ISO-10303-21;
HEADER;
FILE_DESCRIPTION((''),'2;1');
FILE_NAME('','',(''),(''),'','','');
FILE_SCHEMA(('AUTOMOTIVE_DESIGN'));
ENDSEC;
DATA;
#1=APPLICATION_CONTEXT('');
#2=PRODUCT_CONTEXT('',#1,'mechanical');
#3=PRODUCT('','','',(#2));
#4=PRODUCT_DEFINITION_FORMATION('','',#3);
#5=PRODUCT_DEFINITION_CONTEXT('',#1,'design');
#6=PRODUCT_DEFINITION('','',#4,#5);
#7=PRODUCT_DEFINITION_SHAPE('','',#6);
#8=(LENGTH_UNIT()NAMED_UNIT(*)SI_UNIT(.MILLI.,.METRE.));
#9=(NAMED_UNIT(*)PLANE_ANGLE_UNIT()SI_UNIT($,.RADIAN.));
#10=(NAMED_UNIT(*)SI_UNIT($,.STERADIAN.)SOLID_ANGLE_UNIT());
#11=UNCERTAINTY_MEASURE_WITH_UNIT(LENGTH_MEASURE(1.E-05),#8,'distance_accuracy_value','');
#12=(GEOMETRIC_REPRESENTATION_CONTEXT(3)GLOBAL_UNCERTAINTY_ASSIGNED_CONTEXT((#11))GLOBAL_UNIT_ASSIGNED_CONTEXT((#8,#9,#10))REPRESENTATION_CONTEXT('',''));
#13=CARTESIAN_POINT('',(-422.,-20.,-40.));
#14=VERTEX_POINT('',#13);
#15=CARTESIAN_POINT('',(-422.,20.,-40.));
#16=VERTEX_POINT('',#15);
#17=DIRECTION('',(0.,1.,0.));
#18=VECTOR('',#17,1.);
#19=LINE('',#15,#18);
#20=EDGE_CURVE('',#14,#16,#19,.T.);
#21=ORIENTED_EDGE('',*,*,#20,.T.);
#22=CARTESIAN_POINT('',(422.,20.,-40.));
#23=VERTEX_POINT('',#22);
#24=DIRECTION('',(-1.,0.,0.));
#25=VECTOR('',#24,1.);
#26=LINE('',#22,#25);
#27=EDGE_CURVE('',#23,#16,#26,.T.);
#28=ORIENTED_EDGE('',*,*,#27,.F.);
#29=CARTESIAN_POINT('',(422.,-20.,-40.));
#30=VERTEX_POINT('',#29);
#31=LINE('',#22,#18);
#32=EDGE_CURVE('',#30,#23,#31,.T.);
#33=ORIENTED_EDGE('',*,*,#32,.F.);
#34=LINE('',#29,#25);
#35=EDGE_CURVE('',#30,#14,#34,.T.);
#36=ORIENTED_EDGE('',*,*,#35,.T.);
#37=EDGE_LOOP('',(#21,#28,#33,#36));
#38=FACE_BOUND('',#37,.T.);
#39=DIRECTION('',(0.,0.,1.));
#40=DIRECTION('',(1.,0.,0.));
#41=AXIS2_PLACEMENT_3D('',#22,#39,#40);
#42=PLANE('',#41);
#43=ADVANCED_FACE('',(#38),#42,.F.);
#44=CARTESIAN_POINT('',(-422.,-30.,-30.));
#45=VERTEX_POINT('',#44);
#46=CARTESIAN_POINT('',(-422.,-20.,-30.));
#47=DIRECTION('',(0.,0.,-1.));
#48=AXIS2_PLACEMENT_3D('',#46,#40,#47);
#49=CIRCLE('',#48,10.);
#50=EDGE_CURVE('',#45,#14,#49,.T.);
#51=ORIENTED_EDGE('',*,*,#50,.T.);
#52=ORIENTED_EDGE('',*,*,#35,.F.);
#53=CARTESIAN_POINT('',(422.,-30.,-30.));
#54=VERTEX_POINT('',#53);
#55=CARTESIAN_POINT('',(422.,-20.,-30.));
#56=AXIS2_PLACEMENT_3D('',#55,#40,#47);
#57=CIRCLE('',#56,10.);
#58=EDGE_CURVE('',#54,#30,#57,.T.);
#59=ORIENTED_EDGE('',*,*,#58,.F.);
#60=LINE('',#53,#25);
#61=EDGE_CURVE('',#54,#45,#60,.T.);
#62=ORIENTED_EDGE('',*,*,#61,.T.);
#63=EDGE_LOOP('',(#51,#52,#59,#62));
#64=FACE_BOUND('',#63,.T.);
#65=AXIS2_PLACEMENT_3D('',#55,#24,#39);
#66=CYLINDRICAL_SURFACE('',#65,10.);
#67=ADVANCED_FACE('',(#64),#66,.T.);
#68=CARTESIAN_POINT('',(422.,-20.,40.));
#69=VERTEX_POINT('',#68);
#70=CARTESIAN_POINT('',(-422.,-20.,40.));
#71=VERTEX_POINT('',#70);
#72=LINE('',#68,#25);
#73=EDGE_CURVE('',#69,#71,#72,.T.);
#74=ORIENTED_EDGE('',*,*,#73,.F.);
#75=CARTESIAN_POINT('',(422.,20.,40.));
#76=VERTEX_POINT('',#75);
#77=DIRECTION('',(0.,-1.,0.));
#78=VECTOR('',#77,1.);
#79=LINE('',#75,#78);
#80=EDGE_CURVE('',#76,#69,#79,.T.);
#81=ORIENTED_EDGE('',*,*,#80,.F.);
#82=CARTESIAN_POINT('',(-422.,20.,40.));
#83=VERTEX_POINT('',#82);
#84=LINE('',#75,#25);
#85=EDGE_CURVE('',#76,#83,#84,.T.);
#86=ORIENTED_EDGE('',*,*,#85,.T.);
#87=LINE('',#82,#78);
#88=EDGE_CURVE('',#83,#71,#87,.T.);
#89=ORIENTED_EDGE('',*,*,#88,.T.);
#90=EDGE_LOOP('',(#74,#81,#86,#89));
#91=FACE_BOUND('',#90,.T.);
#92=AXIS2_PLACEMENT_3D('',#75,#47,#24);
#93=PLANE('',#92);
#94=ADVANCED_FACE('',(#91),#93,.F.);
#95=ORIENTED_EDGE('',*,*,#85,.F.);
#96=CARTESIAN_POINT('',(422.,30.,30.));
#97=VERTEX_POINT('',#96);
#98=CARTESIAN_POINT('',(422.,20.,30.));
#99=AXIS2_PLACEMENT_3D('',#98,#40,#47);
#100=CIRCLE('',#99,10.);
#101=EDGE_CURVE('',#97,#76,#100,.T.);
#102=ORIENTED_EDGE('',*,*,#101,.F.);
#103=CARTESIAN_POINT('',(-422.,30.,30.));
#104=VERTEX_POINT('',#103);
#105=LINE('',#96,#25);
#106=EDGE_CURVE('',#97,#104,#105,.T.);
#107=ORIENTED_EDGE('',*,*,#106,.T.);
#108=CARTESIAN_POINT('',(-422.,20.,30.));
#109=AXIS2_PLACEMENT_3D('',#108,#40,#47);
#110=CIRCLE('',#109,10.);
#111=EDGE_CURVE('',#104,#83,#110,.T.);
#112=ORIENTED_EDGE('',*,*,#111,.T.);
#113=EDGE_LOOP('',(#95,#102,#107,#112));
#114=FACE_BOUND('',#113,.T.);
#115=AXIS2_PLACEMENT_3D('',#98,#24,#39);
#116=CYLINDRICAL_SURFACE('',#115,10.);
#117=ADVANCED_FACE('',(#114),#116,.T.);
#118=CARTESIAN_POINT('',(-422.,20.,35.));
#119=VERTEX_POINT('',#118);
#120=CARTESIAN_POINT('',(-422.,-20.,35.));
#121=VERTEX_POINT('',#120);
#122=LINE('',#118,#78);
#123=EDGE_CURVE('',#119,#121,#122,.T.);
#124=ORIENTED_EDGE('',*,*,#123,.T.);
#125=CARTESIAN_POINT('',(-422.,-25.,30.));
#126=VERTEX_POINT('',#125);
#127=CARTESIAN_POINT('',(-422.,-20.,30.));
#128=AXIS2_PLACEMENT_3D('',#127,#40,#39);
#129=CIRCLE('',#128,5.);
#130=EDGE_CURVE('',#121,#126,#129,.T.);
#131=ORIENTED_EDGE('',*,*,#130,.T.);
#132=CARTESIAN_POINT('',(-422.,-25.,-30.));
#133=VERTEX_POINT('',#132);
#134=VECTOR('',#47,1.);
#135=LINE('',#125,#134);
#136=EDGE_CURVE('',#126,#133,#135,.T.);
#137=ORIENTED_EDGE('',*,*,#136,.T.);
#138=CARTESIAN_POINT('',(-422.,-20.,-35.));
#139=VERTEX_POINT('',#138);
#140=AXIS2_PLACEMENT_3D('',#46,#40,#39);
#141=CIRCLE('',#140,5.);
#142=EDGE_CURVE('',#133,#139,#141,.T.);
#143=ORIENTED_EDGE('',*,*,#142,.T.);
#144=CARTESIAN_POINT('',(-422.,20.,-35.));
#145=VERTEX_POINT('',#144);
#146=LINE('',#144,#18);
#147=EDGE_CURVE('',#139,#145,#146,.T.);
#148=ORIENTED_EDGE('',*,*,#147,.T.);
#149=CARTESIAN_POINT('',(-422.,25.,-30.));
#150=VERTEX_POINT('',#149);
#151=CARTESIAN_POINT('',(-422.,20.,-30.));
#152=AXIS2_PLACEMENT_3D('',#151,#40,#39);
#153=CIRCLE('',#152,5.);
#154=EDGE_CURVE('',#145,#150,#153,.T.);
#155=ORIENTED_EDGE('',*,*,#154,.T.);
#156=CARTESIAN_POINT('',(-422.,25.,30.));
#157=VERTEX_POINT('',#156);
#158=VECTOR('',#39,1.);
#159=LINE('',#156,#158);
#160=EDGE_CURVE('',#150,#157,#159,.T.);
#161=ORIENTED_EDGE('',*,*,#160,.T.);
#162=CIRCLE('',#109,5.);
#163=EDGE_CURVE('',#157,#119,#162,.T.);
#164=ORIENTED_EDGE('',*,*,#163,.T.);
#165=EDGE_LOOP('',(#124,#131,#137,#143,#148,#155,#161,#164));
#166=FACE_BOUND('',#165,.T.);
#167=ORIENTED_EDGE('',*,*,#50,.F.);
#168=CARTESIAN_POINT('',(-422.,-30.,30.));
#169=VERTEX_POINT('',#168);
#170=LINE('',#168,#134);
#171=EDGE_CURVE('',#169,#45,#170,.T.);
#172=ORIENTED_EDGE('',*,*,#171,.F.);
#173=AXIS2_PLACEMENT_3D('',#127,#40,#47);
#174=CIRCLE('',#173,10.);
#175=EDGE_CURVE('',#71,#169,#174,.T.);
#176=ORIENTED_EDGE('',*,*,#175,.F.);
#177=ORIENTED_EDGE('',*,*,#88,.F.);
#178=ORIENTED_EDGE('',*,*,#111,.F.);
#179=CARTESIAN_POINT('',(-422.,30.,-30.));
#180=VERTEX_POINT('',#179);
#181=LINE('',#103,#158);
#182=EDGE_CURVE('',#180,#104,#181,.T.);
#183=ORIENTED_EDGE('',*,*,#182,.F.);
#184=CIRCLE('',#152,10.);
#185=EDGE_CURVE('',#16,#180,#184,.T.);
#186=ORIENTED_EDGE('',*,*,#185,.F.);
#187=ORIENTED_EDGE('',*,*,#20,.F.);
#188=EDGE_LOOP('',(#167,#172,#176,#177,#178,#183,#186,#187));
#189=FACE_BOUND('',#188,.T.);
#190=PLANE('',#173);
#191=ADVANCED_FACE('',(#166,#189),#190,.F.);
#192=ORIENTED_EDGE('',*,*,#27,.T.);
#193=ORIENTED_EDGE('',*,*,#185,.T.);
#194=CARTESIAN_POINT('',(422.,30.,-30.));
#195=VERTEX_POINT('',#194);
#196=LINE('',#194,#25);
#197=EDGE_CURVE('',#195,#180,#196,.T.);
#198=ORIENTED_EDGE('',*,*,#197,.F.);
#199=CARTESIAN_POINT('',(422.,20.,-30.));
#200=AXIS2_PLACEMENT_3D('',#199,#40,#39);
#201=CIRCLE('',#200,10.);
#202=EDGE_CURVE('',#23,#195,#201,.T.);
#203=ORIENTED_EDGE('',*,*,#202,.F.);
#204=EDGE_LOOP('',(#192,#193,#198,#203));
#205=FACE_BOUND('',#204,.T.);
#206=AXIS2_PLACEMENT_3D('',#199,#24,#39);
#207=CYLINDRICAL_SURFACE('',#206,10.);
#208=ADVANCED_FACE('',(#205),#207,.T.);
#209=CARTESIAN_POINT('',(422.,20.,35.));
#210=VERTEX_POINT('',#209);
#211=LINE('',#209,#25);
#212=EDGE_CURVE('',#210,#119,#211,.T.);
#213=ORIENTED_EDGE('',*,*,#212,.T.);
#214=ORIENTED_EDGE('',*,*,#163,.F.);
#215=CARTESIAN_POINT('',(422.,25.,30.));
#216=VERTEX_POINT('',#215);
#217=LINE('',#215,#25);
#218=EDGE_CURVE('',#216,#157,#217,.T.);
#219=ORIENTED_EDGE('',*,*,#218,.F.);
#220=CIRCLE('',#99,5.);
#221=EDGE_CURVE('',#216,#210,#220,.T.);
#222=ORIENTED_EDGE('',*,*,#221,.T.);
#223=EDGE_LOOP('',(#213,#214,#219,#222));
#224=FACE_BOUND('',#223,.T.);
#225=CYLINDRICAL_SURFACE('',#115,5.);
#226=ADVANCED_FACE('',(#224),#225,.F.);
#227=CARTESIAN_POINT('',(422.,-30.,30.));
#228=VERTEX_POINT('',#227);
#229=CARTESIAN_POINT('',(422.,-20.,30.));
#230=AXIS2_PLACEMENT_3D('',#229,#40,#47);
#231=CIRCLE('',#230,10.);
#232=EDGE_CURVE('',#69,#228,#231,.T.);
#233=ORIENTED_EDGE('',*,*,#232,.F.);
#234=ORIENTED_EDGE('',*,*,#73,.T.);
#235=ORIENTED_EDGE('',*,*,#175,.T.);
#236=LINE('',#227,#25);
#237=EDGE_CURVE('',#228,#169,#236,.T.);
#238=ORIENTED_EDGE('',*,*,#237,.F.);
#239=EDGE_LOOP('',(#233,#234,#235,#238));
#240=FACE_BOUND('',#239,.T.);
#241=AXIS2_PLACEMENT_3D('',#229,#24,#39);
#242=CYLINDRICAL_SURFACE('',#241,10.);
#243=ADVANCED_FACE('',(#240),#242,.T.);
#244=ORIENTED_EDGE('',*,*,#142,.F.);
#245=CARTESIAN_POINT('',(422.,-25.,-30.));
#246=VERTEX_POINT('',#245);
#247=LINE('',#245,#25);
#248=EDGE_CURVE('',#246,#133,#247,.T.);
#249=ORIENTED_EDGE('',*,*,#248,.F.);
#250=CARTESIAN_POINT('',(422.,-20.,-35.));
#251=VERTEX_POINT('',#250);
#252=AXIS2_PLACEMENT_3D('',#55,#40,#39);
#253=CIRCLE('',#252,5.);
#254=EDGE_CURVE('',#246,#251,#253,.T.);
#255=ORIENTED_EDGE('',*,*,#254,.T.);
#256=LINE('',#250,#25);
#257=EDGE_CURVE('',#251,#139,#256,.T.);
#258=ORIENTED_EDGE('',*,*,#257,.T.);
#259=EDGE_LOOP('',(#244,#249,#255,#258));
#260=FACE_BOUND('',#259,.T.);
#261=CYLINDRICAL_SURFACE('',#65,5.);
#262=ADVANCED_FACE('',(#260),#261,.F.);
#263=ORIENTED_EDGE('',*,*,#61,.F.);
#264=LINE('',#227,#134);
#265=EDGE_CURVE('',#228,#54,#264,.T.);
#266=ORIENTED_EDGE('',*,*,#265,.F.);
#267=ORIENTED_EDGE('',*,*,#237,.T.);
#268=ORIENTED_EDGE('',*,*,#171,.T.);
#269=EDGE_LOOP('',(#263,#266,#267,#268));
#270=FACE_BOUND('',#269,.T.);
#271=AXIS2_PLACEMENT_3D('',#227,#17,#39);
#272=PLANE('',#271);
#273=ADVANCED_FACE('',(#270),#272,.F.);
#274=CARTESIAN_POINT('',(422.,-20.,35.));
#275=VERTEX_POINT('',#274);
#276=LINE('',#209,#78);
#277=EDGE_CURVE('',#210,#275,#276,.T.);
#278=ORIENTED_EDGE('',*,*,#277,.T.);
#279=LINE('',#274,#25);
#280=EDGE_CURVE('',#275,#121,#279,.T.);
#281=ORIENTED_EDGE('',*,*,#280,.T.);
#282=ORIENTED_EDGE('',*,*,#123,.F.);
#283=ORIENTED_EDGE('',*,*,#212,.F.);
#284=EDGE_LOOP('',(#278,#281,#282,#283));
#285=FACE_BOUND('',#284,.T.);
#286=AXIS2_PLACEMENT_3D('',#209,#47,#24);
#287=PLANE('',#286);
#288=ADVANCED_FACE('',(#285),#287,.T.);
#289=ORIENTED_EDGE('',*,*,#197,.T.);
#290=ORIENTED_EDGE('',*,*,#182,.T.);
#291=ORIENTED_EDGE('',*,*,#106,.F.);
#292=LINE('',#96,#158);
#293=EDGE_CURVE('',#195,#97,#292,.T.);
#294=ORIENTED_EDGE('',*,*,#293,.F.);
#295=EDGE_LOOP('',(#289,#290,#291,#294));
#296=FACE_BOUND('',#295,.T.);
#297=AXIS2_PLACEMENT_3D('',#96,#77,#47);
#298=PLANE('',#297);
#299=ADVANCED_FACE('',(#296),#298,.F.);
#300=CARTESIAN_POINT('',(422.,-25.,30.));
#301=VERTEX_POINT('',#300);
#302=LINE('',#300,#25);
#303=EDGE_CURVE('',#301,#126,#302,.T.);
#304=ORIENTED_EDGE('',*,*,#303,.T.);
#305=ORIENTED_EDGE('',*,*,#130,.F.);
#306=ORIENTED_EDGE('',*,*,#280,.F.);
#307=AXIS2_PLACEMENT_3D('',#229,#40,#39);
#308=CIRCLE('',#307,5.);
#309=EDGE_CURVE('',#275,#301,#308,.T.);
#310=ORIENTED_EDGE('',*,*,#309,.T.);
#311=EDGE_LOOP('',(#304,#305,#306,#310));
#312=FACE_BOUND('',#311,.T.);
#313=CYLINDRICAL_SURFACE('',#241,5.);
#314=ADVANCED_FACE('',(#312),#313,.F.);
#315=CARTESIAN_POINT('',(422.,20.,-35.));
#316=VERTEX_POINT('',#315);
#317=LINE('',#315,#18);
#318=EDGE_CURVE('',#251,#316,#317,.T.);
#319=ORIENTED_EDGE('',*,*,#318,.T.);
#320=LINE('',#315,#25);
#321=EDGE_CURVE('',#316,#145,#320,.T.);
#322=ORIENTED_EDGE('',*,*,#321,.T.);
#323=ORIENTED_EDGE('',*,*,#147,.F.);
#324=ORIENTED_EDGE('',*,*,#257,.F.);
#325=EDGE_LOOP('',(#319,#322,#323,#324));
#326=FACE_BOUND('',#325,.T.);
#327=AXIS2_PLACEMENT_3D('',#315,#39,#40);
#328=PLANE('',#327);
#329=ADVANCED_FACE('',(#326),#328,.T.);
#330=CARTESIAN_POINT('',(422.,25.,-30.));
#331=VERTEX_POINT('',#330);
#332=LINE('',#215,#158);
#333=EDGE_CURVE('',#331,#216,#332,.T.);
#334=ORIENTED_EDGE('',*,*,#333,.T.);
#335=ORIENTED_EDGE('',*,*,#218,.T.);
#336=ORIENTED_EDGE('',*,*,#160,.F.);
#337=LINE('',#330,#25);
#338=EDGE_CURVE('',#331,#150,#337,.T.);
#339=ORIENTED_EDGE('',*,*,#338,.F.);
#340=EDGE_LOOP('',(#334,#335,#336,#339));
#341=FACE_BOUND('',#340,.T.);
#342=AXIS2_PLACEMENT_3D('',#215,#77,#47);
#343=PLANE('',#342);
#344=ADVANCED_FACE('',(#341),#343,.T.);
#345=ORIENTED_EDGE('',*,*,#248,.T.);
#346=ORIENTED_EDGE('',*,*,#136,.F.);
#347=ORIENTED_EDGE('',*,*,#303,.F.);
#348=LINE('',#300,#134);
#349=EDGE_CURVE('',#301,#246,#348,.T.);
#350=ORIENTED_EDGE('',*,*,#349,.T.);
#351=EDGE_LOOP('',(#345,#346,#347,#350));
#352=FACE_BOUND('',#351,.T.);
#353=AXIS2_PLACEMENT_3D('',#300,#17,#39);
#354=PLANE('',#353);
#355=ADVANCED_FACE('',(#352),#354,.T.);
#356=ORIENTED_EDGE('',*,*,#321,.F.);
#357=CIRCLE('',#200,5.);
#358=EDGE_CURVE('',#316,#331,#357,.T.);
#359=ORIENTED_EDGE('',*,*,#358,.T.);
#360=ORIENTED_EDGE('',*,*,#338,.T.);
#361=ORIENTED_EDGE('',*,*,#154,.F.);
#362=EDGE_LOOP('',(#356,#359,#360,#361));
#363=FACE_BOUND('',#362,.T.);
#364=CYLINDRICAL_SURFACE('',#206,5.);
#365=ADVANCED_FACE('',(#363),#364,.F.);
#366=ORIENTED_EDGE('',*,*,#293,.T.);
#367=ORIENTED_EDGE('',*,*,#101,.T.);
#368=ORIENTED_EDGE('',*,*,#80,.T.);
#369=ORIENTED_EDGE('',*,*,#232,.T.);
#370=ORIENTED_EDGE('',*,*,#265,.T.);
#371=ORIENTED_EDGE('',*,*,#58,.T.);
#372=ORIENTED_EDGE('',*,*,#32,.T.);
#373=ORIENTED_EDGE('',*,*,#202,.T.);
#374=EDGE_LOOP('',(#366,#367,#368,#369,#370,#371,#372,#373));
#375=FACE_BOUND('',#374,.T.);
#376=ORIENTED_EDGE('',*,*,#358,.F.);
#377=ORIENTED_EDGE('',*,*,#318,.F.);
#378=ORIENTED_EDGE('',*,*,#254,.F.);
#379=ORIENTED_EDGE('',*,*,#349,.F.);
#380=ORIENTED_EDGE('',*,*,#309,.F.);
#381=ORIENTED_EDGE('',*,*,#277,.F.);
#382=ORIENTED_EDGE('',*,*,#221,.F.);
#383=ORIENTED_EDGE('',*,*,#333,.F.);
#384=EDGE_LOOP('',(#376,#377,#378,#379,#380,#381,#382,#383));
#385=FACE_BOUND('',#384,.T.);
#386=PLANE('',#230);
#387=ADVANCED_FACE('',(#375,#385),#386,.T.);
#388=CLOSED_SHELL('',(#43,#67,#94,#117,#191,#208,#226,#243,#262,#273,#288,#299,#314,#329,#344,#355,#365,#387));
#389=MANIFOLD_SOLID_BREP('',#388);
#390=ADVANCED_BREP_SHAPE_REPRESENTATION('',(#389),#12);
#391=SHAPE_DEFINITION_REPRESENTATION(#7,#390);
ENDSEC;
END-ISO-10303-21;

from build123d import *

# Parameters (mm, degrees)
EXTRUDE_1_DEPTH = 422


with BuildPart() as part:
    # Sketch 187 → 凸台-拉伸1 (new, symmetric)
    with BuildSketch(Plane(origin=(0, 0, 0), x_dir=(0, 0, -1), z_dir=(1, 0, 0))):
        with BuildLine():
            Line((-30, 30), (30, 30))
            ThreePointArc((30, 30), (37.071067812, 27.071067812), (40, 20))
            Line((40, 20), (40, -20))
            ThreePointArc((40, -20), (37.071067812, -27.071067812), (30, -30))
            Line((30, -30), (-30, -30))
            ThreePointArc((-30, -30), (-37.071067812, -27.071067812), (-40, -20))
            Line((-40, -20), (-40, 20))
            ThreePointArc((-40, 20), (-37.071067812, 27.071067812), (-30, 30))
        make_face()
        with BuildLine():
            Line((-30, 25), (30, 25))
            ThreePointArc((30, 25), (33.535533906, 23.535533906), (35, 20))
            Line((35, 20), (35, -20))
            ThreePointArc((35, -20), (33.535533906, -23.535533906), (30, -25))
            Line((30, -25), (-30, -25))
            ThreePointArc((-30, -25), (-33.535533906, -23.535533906), (-35, -20))
            Line((-35, -20), (-35, 20))
            ThreePointArc((-35, 20), (-33.535533906, 23.535533906), (-30, 25))
        make_face(mode=Mode.SUBTRACT)
    extrude(amount=EXTRUDE_1_DEPTH, both=True)


solid = part.part
